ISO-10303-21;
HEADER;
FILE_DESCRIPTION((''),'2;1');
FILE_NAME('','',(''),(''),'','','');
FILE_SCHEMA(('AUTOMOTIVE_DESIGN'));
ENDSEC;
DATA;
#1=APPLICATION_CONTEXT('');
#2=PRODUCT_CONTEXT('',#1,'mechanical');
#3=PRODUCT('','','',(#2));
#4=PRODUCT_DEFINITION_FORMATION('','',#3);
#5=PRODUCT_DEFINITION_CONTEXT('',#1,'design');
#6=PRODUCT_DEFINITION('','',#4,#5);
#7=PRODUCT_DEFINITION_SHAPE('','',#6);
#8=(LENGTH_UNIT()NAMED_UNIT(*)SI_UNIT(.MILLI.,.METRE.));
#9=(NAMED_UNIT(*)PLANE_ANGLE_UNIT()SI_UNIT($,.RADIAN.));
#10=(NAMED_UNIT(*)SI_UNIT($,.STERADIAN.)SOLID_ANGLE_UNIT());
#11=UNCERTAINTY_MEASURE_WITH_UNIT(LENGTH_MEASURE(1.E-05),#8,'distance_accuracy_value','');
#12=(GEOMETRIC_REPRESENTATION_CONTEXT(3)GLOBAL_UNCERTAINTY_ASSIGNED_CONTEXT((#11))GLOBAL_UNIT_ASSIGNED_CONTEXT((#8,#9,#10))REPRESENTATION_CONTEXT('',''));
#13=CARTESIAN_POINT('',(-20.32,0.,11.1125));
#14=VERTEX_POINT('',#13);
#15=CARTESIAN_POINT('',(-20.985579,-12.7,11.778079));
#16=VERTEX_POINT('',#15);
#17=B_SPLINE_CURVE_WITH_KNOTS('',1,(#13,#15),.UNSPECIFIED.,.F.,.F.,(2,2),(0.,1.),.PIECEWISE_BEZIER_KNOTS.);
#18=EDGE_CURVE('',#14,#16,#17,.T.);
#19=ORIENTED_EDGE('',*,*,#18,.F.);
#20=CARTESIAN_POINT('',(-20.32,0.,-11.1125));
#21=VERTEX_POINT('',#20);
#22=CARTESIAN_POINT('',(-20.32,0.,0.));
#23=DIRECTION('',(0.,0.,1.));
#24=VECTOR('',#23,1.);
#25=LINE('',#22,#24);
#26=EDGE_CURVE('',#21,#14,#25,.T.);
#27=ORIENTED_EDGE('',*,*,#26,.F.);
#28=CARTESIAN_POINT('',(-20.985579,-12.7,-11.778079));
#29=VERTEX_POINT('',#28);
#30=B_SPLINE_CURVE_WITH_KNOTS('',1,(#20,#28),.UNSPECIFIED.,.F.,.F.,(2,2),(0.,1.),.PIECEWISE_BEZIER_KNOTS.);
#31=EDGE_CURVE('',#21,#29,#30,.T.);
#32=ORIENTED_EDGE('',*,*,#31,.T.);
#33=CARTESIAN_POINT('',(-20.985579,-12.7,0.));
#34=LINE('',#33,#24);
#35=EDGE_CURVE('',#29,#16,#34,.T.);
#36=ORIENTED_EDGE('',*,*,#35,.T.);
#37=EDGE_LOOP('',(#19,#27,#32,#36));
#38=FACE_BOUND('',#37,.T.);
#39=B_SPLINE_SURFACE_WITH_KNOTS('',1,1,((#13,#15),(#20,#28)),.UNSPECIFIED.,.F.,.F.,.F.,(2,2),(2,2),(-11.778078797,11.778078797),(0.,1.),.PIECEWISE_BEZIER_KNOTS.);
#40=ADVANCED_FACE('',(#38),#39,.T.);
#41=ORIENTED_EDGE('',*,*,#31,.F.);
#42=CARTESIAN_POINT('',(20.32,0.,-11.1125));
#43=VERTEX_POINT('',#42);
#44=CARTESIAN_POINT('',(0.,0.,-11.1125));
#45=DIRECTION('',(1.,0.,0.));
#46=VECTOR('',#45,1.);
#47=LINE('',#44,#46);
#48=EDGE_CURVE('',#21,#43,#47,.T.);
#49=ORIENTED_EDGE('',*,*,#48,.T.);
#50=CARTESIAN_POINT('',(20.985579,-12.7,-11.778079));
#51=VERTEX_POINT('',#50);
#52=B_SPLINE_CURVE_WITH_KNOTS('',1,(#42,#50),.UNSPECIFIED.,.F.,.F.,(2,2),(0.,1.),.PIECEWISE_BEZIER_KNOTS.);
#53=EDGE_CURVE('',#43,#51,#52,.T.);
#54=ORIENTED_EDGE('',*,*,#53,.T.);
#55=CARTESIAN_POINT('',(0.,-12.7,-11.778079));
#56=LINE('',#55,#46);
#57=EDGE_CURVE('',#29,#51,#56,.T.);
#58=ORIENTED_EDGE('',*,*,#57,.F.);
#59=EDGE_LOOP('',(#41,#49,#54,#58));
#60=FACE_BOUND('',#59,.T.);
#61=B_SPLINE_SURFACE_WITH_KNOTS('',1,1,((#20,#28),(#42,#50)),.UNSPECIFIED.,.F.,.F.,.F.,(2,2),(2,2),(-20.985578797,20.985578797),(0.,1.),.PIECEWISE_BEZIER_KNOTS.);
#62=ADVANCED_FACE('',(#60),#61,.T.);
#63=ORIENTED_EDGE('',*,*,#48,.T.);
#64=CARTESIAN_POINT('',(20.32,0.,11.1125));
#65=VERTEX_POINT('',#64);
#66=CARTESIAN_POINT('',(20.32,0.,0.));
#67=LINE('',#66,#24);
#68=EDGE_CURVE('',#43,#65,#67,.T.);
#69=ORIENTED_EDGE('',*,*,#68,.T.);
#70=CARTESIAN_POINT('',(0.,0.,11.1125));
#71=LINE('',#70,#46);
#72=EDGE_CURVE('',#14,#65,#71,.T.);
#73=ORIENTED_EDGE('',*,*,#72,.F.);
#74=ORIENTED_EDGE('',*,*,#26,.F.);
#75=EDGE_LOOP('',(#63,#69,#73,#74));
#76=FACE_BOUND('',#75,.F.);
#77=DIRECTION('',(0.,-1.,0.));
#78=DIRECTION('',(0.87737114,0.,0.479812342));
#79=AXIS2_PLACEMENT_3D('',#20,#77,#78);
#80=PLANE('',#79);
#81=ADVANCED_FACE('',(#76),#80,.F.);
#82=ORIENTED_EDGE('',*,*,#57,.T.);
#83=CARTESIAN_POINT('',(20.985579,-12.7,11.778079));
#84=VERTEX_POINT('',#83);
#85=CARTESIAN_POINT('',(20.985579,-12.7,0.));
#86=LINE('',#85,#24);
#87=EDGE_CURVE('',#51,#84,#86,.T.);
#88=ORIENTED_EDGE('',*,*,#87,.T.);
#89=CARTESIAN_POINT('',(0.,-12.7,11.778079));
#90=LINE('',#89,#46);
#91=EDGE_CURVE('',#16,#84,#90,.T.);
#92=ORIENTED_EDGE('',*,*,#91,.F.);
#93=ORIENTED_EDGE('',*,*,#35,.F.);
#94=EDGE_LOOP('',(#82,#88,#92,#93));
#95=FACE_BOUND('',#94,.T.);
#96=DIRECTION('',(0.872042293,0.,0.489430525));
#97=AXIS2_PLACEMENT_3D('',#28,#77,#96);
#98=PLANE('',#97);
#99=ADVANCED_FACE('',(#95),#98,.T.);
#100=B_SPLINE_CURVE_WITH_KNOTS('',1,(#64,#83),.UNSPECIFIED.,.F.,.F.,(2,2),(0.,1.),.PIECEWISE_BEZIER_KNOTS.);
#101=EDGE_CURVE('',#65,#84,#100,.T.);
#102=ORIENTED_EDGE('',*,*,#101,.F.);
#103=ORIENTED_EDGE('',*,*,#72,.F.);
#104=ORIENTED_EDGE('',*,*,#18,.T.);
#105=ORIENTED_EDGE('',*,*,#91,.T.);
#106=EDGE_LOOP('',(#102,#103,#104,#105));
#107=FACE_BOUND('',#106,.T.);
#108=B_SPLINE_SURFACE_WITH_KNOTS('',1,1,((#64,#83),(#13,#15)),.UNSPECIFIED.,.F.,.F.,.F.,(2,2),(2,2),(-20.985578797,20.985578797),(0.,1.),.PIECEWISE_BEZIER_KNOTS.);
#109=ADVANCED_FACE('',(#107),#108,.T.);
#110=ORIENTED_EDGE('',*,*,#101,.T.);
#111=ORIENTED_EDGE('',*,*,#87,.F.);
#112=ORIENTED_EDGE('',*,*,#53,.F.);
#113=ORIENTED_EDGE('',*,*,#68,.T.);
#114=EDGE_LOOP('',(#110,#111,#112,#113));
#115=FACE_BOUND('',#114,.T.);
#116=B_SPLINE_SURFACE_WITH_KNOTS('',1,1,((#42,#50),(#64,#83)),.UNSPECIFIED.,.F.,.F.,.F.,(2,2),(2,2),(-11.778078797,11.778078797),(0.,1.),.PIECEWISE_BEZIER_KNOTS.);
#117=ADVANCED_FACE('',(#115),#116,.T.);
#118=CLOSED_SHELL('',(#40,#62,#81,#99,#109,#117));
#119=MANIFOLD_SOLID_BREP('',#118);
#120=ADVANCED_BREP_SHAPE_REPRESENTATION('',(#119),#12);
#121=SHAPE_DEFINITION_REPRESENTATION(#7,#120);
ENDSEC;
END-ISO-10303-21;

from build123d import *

# Parameters (mm, degrees)
F0_W     = 40.64
F0_H     = 22.225
F1_DEPTH = 12.7
F1_TAPER = -3


with BuildPart() as f1:
    # F0 (on Front) → F1 (new body)
    with BuildSketch(Plane.XZ):
        Rectangle(F0_W, F0_H)
    extrude(amount=F1_DEPTH, taper=F1_TAPER)


solid = f1.part
